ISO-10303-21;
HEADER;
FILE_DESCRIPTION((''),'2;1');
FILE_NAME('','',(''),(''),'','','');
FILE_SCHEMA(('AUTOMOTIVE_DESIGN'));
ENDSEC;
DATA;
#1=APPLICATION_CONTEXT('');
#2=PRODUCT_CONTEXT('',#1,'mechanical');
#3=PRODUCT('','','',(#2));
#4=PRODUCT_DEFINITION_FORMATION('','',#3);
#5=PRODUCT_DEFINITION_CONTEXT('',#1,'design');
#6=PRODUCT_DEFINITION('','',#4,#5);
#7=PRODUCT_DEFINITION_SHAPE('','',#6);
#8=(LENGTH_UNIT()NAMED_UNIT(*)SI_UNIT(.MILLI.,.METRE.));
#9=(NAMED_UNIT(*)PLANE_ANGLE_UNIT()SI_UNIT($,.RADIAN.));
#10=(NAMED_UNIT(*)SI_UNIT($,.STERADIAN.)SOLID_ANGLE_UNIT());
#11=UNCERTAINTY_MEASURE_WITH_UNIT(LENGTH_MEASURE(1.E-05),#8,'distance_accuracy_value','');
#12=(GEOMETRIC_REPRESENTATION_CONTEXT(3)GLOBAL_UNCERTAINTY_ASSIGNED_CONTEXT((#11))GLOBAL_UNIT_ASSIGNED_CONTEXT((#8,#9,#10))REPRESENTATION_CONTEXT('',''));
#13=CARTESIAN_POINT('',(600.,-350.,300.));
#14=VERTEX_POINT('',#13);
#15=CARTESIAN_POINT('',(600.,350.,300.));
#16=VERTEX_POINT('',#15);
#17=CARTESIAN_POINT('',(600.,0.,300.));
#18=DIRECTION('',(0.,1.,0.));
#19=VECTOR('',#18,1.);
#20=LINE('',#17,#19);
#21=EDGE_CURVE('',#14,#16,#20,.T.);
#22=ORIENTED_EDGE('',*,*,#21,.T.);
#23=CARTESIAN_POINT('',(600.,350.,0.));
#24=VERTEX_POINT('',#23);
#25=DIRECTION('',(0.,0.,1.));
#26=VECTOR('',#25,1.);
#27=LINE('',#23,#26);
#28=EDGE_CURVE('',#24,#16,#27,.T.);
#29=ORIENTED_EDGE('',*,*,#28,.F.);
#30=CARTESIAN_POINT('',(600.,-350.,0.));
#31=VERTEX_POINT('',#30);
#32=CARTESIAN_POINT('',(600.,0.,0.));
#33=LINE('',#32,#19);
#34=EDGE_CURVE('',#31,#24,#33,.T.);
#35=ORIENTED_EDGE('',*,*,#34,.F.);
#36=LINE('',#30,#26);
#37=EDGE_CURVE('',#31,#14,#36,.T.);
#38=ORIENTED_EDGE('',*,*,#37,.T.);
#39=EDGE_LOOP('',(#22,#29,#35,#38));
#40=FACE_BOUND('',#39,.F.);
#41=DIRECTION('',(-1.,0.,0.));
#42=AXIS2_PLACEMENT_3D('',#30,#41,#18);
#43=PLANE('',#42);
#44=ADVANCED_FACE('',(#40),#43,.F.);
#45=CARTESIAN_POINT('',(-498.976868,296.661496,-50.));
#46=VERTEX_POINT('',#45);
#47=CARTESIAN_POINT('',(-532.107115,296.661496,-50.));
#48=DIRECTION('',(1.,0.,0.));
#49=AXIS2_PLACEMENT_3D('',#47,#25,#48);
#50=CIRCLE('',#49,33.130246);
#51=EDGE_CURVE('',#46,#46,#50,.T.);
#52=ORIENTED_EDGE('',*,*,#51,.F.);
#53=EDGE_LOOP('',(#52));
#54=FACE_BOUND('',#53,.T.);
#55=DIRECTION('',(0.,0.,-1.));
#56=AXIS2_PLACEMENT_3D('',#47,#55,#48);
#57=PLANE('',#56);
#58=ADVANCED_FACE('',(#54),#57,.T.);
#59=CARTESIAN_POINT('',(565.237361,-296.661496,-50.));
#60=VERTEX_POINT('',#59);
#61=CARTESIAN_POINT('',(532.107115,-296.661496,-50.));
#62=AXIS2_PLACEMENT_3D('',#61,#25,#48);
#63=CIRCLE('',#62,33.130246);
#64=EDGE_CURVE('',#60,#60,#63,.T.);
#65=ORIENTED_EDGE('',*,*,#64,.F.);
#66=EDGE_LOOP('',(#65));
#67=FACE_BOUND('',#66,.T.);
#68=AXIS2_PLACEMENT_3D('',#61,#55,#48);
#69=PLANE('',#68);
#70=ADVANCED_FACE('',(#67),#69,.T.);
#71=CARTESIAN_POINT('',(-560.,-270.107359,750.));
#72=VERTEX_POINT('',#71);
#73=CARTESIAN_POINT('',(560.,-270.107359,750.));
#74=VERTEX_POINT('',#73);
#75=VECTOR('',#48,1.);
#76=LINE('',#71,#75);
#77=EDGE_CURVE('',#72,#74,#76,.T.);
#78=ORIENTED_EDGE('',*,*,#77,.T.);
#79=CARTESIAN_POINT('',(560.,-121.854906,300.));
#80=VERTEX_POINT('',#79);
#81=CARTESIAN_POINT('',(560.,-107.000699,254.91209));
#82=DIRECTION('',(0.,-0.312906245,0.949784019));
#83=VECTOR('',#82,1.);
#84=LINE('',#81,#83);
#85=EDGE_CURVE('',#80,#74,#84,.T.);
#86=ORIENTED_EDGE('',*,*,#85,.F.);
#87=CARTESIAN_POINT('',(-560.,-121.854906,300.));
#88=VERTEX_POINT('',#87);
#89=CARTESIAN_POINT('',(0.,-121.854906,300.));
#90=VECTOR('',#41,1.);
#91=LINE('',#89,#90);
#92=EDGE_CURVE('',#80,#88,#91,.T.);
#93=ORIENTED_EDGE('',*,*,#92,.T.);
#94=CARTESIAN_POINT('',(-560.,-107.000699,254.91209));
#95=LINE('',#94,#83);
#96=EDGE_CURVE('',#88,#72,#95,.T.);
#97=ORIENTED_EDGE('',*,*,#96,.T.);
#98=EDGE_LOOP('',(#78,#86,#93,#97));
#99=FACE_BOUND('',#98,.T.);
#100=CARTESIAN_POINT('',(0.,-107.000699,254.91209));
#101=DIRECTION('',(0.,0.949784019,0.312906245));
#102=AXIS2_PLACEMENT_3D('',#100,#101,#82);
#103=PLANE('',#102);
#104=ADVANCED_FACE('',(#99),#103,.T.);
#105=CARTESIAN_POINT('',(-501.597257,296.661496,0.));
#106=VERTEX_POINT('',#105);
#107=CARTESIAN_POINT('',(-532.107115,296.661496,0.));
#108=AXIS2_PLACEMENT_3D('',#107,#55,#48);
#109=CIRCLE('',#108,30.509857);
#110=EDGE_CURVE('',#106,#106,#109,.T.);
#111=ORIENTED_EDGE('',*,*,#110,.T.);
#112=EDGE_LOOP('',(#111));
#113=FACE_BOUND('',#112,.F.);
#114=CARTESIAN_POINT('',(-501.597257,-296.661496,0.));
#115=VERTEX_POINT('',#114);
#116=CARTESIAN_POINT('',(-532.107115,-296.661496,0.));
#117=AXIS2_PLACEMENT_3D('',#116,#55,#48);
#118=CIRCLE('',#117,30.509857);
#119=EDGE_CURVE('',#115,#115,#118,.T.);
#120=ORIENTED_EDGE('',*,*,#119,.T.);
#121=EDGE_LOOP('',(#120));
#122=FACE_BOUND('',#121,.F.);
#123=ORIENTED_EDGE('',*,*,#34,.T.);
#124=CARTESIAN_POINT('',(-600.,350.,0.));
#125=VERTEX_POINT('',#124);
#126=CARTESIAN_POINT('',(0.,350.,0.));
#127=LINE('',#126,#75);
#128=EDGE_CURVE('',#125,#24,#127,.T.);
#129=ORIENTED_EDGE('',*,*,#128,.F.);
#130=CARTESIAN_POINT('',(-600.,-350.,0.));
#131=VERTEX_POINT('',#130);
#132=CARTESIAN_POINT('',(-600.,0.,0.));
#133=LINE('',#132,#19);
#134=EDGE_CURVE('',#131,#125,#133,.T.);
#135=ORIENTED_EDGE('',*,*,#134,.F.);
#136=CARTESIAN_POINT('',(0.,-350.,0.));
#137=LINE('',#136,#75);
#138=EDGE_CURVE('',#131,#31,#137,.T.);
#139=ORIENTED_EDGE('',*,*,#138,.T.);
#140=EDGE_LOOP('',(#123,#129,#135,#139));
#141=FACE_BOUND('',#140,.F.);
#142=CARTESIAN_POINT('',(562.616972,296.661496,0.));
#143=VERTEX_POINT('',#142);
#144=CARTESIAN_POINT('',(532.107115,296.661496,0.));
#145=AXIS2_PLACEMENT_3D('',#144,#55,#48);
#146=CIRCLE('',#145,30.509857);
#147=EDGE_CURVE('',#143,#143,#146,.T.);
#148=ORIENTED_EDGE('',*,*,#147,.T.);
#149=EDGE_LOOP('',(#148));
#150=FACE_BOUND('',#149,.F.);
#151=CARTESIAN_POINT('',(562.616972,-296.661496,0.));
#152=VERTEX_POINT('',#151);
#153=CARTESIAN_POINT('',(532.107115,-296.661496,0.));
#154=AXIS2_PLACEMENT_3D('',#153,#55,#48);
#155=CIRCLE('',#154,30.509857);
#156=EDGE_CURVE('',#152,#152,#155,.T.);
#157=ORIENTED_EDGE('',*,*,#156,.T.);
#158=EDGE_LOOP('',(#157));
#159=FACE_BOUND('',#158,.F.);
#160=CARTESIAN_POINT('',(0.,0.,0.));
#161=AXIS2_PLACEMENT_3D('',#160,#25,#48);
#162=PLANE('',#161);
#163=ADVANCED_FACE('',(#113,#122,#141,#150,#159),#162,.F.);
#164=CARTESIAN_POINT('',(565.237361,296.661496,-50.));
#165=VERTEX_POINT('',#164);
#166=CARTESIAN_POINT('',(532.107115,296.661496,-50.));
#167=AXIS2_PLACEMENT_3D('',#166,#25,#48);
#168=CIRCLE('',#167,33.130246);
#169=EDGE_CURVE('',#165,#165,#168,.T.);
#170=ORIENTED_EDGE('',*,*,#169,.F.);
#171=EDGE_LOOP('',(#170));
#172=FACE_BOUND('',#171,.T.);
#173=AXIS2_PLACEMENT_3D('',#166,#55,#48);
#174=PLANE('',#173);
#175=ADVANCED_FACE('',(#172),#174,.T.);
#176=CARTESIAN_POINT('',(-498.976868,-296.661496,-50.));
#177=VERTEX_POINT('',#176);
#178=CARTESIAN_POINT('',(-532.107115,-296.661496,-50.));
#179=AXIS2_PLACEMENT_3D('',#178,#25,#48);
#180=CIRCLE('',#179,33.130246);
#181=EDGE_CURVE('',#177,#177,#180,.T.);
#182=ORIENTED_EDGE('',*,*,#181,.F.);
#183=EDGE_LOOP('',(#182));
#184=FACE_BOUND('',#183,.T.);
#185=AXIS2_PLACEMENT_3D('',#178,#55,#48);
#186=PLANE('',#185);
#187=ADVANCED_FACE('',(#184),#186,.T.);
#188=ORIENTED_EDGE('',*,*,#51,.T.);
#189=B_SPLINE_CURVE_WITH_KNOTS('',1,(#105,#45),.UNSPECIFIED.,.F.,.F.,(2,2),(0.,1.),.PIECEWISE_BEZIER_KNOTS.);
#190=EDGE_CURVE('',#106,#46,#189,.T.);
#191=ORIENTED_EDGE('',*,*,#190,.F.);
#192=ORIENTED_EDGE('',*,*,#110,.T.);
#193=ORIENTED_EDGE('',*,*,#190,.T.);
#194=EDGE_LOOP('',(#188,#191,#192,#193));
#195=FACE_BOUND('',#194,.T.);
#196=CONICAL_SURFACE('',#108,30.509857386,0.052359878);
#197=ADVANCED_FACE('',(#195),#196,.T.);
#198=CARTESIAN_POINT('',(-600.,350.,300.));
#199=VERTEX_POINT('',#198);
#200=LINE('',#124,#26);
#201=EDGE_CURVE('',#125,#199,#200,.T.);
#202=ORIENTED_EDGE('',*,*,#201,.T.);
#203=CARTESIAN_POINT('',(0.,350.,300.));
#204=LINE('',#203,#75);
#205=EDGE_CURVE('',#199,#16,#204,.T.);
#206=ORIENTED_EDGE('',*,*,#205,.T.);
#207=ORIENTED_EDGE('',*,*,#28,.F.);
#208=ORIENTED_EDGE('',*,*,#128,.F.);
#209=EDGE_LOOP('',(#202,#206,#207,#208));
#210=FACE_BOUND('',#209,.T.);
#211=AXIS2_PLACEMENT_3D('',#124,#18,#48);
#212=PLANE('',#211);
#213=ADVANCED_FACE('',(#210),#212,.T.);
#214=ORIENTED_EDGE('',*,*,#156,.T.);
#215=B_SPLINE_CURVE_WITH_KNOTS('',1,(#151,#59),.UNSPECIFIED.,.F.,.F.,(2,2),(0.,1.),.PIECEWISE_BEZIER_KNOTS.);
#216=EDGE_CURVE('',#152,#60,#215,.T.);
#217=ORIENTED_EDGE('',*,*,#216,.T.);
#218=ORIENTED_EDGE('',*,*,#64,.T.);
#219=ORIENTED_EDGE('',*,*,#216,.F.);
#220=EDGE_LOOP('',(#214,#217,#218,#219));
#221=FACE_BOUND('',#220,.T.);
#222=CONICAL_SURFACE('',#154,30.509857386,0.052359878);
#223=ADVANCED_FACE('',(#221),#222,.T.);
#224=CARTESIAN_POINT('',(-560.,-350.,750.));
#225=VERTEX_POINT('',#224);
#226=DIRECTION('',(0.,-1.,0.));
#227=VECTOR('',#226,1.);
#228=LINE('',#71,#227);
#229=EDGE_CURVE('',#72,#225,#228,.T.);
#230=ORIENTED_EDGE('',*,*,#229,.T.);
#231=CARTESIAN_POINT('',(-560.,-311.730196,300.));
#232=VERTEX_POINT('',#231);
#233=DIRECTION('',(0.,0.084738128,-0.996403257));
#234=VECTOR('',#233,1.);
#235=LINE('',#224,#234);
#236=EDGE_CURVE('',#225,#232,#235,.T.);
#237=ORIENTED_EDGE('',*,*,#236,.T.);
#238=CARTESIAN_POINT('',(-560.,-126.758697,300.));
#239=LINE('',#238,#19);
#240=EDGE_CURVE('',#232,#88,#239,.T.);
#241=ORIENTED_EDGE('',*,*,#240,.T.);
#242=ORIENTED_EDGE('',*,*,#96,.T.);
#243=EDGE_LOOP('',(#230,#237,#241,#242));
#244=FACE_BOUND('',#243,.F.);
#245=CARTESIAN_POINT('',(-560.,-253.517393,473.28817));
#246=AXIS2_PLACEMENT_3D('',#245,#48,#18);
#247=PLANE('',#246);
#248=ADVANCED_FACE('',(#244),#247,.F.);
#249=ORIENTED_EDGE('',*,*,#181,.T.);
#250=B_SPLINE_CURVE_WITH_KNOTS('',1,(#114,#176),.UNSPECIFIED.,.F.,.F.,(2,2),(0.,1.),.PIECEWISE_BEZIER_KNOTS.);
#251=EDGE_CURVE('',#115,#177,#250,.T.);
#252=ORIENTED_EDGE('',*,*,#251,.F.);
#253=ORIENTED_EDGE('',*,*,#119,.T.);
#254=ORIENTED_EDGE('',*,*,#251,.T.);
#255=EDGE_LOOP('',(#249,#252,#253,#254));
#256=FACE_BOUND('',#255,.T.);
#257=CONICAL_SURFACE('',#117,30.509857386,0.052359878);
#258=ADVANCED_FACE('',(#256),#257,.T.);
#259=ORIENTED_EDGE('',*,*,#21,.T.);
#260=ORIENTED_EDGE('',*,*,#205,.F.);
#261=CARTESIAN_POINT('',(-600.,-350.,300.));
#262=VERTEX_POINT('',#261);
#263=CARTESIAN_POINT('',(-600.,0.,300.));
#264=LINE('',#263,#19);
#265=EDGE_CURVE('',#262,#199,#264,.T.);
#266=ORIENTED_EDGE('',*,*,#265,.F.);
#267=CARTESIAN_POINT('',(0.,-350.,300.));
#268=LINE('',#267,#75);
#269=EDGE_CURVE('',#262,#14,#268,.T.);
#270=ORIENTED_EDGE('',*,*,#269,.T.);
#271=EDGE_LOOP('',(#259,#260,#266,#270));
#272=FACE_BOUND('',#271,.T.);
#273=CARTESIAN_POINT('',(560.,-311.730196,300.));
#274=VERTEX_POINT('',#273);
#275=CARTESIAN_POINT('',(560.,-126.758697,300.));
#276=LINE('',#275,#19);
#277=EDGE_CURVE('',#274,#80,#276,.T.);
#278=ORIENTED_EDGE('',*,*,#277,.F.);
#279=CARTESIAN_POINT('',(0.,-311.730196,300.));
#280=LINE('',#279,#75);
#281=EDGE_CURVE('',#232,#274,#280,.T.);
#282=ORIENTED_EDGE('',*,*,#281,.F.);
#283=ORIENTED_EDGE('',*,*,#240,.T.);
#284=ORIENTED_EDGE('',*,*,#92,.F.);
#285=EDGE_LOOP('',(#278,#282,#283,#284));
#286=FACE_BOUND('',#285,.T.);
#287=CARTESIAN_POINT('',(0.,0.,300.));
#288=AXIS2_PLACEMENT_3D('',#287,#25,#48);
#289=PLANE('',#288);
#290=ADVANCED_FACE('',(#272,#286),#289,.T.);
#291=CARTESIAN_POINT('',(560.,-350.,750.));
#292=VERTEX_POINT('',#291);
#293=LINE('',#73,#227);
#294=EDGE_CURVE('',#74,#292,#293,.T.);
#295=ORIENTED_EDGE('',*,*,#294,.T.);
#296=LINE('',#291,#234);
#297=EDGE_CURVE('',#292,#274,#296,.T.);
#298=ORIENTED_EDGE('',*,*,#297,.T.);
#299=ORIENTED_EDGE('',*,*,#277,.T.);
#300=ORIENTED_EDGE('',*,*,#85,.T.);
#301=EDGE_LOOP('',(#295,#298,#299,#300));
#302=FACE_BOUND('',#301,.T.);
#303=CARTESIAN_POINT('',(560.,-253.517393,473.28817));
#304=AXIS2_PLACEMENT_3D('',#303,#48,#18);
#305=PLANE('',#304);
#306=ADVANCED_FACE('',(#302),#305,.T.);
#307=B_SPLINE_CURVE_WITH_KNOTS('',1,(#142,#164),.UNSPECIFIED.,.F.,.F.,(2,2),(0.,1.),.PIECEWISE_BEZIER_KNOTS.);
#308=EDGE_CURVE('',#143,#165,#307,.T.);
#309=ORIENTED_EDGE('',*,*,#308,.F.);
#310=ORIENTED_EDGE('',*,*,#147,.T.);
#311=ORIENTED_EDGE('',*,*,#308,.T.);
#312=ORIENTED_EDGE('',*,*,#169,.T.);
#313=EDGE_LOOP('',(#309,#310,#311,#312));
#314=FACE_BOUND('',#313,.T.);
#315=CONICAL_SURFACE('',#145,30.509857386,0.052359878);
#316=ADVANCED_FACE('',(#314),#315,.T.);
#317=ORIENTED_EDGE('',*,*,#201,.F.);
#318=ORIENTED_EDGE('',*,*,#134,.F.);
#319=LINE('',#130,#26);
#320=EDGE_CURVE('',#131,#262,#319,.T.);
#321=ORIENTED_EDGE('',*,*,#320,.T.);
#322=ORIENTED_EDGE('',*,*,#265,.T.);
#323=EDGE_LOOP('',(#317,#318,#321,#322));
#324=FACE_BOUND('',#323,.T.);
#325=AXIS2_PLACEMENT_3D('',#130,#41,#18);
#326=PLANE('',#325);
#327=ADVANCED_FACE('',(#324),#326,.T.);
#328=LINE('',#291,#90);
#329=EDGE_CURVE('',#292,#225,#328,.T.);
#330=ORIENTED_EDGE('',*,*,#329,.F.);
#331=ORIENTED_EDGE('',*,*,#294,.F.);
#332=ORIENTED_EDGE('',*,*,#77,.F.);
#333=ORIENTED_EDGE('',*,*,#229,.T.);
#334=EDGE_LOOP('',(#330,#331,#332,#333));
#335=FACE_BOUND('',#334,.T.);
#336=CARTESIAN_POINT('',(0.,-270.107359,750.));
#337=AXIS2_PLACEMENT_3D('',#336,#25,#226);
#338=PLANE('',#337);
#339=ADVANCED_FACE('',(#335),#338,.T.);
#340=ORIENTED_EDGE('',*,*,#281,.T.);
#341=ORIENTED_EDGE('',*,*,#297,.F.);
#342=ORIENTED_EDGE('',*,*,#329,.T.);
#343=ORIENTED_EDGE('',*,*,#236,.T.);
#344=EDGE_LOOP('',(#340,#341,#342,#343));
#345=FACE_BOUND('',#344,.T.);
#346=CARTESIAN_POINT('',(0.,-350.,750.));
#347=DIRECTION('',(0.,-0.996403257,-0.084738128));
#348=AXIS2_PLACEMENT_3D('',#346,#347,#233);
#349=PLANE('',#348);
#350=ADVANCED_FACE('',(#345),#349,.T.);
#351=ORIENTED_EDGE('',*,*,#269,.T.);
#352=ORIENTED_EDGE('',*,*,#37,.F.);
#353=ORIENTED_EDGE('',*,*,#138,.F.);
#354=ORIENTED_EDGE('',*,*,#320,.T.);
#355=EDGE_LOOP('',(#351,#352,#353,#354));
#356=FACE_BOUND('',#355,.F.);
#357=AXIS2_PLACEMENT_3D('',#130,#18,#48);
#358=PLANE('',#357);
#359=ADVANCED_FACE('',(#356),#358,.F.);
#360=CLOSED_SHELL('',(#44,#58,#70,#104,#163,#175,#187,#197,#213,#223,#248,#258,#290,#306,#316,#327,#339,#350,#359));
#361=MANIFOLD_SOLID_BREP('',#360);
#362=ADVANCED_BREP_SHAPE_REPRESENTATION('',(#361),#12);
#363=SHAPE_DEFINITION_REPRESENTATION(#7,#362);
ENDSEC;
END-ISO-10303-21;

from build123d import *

# Parameters (mm, degrees)
F0_W     = 1200
F0_H     = 700
F1_DEPTH = 300
F2_R     = 30.5098573856
F3_DEPTH = 50
F3_TAPER = -3
F5_DEPTH = 560


with BuildPart() as f1:
    # F0 (on Top) → F1 (new body)
    with BuildSketch(Plane.XY):
        Rectangle(F0_W, F0_H)
    extrude(amount=F1_DEPTH)

    # F2 (on face) → F3 (join)
    with BuildSketch(Plane(origin=(0, 0, 0), x_dir=(1, 0, 0), z_dir=(0, 0, -1))):
        with Locations((-532.1071147919, -296.6614961624)):
            Circle(F2_R)
        with Locations((532.1071147919, -296.6614961624)):
            Circle(F2_R)
        with Locations((532.1071147919, 296.6614961624)):
            Circle(F2_R)
        with Locations((-532.1071147919, 296.6614961624)):
            Circle(F2_R)
    extrude(amount=F3_DEPTH, taper=F3_TAPER)

    # F4 (on Right) → F5 (join, symmetric)
    with BuildSketch(Plane.YZ):
        Polygon((-305.8277244632, 230.5950983165), (-107.0006990349, 254.912089853), (-270.1073586941, 750), (-350, 750), align=None)
    extrude(amount=F5_DEPTH, both=True)


solid = f1.part
